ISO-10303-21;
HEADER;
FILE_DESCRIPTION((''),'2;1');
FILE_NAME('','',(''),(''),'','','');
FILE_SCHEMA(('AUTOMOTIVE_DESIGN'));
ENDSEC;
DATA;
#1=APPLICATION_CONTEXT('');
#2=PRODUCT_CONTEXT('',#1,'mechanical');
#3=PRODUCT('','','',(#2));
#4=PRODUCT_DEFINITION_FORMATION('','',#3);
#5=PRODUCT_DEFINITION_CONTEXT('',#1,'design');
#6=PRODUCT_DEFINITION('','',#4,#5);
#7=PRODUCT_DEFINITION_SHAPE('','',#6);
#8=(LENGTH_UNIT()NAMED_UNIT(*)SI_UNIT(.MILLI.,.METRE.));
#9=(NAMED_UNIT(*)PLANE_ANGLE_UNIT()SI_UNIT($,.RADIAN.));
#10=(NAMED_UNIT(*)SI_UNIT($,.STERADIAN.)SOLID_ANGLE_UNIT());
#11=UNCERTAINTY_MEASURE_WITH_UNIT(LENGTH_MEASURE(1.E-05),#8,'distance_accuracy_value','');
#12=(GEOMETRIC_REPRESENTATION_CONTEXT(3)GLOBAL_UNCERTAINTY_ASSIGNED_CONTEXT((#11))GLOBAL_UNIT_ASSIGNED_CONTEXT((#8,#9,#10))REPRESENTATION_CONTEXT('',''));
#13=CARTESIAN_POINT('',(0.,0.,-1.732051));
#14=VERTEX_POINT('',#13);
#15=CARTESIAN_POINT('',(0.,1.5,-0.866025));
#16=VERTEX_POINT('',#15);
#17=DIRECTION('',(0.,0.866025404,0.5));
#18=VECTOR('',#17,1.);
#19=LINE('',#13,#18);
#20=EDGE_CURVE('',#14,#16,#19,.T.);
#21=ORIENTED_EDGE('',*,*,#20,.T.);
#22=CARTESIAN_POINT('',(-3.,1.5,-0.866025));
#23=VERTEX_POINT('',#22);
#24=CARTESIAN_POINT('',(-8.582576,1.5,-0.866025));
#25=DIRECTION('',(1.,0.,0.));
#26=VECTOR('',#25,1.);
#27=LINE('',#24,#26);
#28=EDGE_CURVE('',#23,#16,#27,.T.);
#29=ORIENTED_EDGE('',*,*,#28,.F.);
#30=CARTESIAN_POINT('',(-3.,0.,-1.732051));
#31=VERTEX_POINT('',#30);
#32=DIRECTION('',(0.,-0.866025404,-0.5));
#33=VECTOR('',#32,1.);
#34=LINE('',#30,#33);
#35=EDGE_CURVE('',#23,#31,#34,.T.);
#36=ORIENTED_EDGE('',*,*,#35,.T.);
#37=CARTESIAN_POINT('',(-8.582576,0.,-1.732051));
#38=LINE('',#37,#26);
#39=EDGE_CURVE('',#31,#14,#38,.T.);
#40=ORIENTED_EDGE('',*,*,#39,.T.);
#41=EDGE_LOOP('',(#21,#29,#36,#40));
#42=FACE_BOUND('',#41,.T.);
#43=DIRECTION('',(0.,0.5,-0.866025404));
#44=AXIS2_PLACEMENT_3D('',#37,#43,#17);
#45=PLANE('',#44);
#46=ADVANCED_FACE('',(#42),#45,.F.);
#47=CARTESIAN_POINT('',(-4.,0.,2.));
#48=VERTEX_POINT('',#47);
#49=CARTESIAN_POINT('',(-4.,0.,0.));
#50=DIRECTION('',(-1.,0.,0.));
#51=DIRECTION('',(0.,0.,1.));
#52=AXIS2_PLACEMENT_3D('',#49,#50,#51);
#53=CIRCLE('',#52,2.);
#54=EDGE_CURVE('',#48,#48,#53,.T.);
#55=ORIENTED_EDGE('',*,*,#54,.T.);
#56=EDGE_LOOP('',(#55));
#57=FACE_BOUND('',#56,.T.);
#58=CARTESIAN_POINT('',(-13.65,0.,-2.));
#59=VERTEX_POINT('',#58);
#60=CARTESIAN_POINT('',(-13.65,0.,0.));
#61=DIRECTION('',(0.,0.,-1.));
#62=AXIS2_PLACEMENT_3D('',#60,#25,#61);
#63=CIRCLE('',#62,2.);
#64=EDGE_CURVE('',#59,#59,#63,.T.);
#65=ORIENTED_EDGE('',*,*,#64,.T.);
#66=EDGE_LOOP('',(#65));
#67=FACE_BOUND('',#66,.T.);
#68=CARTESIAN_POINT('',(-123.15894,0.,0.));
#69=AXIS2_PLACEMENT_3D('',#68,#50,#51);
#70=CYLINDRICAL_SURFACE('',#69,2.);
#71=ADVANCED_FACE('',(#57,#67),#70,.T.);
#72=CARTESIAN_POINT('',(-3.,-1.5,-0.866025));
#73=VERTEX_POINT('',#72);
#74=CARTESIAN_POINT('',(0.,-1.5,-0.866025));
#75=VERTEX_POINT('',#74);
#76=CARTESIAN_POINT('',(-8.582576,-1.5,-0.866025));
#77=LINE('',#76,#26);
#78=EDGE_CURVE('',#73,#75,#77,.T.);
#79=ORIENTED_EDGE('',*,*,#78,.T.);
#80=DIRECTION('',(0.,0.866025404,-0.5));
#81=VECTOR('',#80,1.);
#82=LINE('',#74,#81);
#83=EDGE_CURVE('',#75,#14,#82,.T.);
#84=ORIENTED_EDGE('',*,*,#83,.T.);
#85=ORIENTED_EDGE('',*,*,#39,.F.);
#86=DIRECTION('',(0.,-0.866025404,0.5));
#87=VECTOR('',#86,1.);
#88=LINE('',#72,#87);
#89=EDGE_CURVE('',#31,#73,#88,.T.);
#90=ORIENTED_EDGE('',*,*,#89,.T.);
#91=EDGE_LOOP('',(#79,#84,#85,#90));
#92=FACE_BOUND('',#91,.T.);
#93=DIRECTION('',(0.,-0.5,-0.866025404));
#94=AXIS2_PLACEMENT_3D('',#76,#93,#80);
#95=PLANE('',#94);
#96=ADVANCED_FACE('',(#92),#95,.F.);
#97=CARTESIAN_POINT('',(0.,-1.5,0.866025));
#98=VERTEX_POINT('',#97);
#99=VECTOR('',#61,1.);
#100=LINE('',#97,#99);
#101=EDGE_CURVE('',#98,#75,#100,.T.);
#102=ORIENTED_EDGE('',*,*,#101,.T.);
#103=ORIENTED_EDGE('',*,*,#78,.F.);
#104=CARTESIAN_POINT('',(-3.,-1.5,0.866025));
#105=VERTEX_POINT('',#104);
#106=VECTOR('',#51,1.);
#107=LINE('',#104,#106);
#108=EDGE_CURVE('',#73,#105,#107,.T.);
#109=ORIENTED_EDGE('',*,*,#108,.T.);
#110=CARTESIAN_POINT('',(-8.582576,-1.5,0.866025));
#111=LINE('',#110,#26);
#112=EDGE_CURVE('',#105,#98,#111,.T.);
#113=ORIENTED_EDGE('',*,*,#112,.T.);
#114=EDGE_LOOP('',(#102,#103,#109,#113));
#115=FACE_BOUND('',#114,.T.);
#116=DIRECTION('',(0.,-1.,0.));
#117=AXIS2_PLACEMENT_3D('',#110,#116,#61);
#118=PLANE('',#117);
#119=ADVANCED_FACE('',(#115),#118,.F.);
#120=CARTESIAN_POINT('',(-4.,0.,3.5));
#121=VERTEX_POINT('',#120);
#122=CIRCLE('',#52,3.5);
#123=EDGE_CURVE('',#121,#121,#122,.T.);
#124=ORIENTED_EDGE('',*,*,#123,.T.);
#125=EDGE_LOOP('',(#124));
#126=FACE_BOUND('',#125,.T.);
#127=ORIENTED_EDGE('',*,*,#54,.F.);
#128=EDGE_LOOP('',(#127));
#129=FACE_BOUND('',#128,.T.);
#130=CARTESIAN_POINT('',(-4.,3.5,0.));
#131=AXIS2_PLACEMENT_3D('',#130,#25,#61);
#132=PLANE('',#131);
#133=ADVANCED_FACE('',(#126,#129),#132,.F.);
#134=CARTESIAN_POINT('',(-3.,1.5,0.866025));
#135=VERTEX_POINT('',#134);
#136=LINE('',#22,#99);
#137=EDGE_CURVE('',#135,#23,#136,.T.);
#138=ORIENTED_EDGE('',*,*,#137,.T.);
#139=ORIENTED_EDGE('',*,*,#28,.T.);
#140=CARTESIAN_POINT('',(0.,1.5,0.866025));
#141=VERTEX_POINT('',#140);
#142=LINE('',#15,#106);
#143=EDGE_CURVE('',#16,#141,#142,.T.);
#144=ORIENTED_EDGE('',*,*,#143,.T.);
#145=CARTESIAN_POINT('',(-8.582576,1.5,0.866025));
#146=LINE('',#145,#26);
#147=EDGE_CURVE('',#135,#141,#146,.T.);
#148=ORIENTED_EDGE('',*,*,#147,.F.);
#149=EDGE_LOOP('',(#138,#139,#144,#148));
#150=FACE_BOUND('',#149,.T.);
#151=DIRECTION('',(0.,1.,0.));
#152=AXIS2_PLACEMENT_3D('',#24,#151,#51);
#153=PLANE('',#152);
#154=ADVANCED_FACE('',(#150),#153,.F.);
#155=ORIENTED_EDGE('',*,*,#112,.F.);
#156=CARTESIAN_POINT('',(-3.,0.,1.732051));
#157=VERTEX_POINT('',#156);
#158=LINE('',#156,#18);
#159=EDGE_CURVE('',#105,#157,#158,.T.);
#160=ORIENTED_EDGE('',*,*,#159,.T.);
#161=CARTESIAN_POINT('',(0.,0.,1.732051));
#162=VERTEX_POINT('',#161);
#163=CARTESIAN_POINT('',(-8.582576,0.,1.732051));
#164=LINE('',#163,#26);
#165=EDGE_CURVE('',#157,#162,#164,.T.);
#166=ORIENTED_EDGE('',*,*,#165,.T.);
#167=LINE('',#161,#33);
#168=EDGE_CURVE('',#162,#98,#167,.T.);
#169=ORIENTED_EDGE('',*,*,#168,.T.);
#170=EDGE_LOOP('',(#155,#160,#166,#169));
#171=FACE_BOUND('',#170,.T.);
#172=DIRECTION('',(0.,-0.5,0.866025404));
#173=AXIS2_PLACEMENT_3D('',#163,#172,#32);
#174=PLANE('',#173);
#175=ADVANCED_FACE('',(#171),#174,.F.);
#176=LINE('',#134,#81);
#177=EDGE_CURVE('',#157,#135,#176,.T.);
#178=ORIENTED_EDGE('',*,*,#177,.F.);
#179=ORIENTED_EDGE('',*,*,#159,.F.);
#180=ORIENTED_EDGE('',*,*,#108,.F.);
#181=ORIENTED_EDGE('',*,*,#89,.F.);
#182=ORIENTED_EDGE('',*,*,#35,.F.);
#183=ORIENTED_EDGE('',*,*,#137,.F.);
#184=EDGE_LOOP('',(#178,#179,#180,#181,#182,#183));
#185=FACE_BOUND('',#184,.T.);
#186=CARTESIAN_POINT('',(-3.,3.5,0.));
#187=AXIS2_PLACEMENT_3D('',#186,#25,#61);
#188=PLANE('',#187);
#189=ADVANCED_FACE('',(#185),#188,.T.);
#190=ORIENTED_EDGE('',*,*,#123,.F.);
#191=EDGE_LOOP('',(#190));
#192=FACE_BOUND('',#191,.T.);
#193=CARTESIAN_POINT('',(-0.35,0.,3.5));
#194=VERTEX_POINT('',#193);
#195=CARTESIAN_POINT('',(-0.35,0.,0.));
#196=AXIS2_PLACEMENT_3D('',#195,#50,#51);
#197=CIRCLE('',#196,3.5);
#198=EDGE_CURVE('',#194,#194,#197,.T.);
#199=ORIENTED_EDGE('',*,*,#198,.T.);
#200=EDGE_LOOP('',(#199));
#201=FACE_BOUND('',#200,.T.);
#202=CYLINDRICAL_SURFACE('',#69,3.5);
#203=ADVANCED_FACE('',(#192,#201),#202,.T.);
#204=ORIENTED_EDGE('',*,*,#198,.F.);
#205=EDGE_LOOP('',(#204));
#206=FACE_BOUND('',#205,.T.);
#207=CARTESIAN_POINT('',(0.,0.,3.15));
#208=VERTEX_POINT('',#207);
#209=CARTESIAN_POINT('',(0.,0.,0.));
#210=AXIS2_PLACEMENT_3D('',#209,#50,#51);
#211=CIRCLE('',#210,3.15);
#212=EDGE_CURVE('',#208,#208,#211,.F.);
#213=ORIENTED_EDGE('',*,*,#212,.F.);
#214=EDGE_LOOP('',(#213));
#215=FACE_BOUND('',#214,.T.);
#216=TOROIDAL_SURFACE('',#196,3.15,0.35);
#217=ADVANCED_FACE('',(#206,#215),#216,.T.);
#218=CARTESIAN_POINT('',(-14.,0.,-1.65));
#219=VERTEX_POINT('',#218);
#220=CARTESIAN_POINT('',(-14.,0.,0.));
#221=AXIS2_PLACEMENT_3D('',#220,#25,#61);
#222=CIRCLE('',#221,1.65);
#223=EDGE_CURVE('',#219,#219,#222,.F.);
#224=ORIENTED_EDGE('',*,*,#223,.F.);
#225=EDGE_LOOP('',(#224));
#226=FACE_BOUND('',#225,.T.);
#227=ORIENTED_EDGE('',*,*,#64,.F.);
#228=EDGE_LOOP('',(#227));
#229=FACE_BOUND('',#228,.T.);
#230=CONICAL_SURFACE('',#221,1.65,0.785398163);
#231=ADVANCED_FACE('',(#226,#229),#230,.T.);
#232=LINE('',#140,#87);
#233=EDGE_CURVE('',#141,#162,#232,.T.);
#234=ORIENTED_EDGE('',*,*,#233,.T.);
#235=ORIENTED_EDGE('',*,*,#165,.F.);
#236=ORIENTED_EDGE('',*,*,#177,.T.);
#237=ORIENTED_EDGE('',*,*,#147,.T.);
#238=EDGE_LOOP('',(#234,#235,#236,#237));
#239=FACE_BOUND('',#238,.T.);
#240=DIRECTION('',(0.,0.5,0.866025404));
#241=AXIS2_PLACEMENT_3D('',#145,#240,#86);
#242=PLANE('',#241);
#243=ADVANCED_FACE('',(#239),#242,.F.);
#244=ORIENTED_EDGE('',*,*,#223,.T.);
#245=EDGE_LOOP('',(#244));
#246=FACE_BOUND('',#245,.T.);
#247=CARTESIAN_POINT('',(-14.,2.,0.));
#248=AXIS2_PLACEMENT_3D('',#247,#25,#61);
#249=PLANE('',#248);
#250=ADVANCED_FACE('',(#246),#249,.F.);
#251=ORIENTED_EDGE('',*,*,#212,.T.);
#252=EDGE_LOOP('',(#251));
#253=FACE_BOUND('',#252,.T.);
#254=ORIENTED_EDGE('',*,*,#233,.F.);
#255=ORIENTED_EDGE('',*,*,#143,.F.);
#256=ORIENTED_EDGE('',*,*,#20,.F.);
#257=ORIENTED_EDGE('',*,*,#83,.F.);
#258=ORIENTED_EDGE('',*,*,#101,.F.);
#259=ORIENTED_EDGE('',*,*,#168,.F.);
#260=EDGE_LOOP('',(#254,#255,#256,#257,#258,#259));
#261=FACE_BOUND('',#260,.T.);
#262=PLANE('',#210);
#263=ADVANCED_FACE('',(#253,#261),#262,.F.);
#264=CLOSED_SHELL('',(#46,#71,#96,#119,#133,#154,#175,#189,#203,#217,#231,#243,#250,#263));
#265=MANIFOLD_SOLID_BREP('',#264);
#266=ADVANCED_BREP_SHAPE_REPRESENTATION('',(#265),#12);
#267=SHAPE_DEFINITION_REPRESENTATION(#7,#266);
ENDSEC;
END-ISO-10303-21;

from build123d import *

# Parameters (mm, degrees)
SFAZOWANIE1_SIZE           = 0.35
ZAOKR_GLENIE1_R            = 0.35
WYTNIJ_WYCI_GNI_CIE1_DEPTH = 3


with BuildPart() as part:
    # Szkic1 → Obrót1 (revolve)
    with BuildSketch(Plane.XY):
        Polygon((0, 0), (0, 3.5), (-4, 3.5), (-4, 2), (-14, 2), (-14, 0), align=None)
    revolve(axis=Axis((-123.158940217, 0, 0), (1, 0, 0)))

    # Sfazowanie1
    sfazowanie1_edges = [part.edges().sort_by_distance(p)[0] for p in [
        (-14, -2, 0),
    ]]
    chamfer(sfazowanie1_edges, length=SFAZOWANIE1_SIZE)

    # Zaokrąglenie1
    zaokr_glenie1_edges = [part.edges().sort_by_distance(p)[0] for p in [
        (0, -3.5, 0),
    ]]
    fillet(zaokr_glenie1_edges, radius=ZAOKR_GLENIE1_R)

    # Szkic2 → Wytnij-wyciągnięcie1 (cut)
    with BuildSketch(Plane(origin=(0, 0, 0), x_dir=(0, 0, -1), z_dir=(1, 0, 0))):
        Polygon((1.732050808, 0), (0.866025404, 1.5), (-0.866025404, 1.5), (-1.732050808, 0), (-0.866025404, -1.5), (0.866025404, -1.5), align=None)
    extrude(amount=-WYTNIJ_WYCI_GNI_CIE1_DEPTH, mode=Mode.SUBTRACT)


solid = part.part
